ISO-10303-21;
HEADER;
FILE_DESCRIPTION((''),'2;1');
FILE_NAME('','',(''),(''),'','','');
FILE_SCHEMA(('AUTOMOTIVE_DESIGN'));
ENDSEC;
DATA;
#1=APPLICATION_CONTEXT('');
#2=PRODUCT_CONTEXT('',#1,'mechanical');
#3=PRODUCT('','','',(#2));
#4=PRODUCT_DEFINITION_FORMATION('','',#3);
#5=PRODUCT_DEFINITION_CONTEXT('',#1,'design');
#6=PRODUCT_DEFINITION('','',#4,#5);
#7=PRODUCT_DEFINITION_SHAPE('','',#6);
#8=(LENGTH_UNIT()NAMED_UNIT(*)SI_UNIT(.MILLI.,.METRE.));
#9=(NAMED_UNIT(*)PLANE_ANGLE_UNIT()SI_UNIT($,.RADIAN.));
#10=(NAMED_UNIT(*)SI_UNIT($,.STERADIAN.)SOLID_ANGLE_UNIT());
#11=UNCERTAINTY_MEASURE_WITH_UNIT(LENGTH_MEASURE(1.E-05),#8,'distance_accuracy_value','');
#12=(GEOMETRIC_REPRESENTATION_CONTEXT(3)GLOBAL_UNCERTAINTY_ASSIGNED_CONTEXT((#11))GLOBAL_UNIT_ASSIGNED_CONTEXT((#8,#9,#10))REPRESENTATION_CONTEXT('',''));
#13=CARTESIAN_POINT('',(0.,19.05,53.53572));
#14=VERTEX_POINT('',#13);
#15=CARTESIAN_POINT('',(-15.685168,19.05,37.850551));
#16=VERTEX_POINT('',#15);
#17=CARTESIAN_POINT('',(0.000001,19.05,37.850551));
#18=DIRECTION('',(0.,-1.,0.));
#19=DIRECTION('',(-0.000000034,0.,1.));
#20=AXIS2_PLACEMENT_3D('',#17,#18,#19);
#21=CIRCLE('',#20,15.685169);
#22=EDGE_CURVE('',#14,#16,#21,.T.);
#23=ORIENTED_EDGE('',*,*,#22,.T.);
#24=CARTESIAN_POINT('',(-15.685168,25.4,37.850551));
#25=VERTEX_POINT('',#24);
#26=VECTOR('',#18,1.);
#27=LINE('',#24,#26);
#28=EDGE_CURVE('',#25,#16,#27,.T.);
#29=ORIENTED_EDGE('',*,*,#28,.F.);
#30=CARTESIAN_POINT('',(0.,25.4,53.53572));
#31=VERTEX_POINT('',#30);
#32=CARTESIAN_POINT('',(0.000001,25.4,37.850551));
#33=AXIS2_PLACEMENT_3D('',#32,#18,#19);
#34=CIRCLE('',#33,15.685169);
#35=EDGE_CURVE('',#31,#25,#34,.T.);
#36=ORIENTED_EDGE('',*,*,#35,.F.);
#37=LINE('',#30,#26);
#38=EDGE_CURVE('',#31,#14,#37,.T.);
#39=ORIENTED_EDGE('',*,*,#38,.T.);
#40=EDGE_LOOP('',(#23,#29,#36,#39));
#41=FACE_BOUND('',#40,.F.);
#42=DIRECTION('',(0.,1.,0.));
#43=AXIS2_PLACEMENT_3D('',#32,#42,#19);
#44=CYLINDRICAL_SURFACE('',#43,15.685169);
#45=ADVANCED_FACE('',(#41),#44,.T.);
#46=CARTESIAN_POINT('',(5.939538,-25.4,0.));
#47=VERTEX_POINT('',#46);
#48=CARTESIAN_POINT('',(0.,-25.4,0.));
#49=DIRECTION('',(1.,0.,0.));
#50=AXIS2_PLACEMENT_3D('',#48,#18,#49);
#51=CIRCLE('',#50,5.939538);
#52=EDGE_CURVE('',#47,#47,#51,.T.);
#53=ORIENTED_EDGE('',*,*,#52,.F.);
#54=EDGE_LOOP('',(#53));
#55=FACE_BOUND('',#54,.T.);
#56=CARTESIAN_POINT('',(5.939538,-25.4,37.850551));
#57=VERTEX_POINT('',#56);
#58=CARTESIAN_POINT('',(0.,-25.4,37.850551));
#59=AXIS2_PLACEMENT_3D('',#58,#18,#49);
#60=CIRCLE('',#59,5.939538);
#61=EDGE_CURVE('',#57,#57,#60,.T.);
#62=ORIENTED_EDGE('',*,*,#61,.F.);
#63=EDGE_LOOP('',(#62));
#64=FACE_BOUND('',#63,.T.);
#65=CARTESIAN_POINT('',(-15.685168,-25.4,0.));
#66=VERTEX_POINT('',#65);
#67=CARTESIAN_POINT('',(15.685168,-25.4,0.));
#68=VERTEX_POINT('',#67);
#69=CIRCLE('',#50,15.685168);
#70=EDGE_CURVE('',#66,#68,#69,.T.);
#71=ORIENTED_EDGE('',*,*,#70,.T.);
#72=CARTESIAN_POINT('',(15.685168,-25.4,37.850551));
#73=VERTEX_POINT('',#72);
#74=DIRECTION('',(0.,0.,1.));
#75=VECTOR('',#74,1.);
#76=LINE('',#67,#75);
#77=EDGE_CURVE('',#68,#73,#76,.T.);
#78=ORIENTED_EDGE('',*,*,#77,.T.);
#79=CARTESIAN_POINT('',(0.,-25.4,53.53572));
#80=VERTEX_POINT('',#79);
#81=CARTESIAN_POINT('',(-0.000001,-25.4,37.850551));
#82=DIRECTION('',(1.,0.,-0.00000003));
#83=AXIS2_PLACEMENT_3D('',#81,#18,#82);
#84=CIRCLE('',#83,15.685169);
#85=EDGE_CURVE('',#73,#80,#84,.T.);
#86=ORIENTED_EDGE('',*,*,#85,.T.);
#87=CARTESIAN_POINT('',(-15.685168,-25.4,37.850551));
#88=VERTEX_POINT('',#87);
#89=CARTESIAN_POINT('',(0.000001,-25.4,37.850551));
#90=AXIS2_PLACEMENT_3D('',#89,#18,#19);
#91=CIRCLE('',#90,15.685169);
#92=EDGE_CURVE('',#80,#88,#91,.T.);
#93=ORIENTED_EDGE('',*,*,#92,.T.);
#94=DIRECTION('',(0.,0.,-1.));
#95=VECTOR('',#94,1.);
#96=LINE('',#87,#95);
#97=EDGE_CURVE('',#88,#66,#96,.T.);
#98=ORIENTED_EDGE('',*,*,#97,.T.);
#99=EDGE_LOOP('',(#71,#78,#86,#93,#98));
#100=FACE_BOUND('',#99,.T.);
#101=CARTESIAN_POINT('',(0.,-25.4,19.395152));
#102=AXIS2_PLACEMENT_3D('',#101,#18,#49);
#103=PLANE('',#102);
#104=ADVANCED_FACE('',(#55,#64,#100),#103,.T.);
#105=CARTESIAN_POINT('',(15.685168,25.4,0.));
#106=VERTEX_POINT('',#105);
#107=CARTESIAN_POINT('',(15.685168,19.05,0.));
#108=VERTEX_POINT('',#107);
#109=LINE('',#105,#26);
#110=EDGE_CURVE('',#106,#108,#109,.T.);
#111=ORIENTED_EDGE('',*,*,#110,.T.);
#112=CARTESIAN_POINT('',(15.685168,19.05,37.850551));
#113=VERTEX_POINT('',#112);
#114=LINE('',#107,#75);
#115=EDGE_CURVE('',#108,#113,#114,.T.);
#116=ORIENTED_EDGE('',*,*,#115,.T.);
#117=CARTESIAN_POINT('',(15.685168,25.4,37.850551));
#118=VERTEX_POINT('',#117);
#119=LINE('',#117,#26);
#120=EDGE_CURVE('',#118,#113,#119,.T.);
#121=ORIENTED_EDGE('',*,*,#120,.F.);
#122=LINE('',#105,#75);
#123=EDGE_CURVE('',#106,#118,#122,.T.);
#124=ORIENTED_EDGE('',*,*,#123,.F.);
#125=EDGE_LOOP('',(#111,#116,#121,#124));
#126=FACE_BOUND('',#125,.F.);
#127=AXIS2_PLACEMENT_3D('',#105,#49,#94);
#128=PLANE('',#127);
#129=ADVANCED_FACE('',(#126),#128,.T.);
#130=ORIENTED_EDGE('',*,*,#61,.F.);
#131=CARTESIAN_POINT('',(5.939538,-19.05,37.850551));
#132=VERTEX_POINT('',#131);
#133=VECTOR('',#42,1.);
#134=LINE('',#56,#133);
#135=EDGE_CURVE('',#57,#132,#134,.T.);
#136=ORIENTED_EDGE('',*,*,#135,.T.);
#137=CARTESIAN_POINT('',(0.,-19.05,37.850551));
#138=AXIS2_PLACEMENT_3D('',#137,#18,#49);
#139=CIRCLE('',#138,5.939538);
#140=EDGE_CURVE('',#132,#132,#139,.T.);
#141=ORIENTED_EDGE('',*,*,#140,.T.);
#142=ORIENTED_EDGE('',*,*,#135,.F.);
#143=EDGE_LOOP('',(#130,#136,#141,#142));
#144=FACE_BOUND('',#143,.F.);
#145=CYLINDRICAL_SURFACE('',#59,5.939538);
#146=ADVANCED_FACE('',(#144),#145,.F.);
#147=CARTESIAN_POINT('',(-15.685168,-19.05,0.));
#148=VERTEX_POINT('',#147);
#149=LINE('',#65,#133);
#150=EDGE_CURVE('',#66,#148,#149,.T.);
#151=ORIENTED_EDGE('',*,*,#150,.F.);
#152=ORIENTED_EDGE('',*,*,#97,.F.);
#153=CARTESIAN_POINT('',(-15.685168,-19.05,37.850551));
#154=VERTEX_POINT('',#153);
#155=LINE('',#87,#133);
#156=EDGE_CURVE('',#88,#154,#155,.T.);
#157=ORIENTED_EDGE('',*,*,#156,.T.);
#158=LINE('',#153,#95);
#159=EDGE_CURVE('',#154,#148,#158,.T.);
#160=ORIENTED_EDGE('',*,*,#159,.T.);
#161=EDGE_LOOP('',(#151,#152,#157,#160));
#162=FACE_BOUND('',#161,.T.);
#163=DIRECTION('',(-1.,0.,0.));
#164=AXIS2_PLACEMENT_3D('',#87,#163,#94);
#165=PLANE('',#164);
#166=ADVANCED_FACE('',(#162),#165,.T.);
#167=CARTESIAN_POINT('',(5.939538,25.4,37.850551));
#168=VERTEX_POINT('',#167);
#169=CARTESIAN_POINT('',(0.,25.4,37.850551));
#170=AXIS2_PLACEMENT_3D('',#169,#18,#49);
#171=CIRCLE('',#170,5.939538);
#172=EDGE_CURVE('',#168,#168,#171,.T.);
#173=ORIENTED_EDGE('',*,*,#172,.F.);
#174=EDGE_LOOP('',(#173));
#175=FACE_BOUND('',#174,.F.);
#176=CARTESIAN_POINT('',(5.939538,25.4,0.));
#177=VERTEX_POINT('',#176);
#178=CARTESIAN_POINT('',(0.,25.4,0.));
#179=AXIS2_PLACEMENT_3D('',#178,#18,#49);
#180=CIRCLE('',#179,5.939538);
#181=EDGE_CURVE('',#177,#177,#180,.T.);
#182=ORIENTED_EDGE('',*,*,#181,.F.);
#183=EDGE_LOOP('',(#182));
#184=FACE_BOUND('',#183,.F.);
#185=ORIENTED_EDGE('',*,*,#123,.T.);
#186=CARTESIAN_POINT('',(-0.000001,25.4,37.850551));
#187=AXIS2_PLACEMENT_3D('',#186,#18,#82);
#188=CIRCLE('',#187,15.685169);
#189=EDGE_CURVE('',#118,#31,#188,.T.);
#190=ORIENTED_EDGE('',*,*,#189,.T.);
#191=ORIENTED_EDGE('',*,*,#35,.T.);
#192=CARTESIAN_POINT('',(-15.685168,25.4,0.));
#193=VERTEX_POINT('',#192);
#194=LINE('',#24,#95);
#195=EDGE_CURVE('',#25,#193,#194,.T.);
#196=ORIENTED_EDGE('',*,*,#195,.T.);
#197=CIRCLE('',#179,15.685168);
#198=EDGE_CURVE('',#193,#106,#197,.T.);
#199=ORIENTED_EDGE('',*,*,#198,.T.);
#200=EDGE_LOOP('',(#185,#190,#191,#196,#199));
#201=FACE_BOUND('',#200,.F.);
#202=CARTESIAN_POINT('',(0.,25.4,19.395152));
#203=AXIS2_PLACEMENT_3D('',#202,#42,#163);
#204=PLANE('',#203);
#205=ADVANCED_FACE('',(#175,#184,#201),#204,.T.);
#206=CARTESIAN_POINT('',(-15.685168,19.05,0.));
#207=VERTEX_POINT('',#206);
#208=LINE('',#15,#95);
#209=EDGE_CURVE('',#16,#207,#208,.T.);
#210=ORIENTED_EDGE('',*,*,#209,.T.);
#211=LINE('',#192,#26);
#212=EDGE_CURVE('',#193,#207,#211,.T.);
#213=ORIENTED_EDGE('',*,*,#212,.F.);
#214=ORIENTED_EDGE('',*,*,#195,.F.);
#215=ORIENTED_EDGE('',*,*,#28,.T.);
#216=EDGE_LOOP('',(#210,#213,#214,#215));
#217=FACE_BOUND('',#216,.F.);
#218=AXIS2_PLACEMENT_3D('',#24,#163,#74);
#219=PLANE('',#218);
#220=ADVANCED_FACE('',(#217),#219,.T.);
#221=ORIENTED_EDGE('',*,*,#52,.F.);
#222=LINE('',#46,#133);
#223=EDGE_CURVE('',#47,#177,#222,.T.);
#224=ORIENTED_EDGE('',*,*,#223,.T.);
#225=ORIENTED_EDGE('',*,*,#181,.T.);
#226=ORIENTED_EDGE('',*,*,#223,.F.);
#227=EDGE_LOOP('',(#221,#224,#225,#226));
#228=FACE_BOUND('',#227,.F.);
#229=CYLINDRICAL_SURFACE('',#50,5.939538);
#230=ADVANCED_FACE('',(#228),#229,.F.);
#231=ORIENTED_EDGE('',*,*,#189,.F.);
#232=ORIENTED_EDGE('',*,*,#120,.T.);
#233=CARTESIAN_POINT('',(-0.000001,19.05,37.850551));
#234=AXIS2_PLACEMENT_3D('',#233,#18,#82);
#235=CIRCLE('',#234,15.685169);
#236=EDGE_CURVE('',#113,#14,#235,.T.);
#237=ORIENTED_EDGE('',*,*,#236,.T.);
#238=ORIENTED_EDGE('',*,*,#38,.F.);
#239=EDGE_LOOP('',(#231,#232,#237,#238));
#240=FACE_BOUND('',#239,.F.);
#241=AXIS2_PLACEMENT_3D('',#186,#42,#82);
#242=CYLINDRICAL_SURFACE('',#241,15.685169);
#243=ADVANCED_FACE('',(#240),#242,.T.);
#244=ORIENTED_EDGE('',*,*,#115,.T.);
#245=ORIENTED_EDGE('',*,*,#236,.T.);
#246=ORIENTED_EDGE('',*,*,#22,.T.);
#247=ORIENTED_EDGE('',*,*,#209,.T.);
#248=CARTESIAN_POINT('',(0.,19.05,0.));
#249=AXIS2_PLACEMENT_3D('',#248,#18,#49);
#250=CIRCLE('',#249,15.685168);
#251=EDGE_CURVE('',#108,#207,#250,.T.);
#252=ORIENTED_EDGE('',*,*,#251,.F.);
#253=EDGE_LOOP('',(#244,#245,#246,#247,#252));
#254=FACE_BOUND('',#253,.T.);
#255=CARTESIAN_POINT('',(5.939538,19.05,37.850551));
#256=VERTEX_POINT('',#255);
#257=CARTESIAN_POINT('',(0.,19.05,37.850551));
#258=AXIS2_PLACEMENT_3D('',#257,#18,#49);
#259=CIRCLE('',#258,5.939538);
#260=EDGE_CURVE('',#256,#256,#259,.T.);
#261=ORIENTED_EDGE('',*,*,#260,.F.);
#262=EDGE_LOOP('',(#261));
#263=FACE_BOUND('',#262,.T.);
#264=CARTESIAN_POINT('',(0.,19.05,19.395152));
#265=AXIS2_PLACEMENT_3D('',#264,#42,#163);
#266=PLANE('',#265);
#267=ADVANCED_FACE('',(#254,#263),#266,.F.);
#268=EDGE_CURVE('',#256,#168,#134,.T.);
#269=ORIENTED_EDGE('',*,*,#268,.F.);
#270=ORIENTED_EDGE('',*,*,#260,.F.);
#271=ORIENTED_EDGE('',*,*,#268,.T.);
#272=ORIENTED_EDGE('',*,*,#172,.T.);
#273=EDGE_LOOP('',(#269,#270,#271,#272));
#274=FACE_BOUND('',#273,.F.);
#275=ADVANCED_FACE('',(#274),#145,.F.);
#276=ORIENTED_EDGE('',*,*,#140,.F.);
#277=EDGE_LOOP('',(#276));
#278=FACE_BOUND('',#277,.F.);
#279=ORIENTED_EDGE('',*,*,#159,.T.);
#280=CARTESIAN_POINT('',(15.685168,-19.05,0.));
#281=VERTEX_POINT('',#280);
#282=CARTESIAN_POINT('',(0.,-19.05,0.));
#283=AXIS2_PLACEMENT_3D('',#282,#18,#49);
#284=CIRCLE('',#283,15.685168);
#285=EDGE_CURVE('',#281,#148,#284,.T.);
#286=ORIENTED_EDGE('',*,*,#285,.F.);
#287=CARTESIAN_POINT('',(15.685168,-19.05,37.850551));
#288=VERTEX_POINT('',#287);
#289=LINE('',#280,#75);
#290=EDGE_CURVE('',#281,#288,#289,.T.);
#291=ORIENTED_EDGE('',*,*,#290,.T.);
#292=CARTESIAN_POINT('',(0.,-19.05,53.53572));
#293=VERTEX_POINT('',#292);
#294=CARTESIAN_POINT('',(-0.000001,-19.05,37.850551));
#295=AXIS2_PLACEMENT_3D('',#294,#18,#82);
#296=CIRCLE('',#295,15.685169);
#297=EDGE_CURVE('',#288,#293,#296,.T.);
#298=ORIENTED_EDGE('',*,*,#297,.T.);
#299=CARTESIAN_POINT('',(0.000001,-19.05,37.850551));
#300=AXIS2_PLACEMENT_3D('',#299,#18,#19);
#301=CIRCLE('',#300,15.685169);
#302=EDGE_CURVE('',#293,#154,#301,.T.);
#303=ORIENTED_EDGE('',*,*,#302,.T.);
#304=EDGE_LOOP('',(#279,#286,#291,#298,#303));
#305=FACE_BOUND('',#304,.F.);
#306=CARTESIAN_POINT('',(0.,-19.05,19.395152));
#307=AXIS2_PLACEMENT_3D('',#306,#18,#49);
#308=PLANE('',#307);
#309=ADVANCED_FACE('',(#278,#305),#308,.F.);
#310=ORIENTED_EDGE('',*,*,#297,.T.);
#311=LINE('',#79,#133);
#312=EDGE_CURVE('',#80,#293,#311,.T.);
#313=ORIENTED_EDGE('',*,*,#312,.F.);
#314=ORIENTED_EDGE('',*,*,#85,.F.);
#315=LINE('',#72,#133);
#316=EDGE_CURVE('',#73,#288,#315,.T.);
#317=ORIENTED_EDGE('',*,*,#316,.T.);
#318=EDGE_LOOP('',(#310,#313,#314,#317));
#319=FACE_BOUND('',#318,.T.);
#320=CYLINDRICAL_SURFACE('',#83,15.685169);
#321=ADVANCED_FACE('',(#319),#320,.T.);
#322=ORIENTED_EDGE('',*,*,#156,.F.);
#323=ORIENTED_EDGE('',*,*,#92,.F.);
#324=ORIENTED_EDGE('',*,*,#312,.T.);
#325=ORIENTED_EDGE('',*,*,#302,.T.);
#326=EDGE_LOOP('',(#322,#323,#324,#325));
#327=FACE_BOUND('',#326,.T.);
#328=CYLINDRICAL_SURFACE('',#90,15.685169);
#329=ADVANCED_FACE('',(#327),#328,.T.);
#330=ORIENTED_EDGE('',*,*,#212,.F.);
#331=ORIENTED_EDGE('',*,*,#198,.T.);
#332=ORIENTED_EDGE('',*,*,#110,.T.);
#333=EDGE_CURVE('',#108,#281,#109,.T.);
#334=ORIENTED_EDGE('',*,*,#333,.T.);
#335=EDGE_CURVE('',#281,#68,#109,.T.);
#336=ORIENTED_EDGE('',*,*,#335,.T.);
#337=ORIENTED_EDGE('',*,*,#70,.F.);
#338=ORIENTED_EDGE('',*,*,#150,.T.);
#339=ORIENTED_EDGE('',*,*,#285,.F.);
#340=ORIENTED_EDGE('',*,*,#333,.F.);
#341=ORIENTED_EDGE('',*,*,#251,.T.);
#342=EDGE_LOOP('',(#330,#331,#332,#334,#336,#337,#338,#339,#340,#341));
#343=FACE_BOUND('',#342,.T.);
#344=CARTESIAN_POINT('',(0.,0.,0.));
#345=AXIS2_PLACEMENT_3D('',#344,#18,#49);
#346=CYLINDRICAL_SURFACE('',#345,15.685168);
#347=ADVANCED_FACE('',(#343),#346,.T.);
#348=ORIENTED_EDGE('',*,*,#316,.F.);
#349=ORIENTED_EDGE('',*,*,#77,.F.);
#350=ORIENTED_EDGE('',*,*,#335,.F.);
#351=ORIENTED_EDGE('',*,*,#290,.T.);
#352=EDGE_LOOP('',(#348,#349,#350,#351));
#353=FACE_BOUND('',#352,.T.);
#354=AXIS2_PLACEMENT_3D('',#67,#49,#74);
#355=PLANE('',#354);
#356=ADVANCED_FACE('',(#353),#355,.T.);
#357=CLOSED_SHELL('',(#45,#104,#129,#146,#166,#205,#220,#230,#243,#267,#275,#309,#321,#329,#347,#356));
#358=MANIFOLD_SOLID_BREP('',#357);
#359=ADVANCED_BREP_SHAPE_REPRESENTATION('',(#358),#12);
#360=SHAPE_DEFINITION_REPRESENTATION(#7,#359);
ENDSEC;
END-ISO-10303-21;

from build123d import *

# Parameters (mm, degrees)
F0_R          = 15.685168
F1_DEPTH      = 25.4
F1_DEPTH_BACK = 25.4
F3_DEPTH      = 6.35
F5_R          = 5.939538
F6_DEPTH      = 50.801


with BuildPart() as f1:
    # F0 (on Front) → F1 (new body, two sides)
    with BuildSketch(Plane.XZ) as f1_sk:
        Circle(F0_R)
    extrude(amount=F1_DEPTH)
    extrude(f1_sk.sketch, amount=-F1_DEPTH_BACK)

    # F2 (on face) → F3 (join)
    with BuildSketch(Plane.XZ.offset(25.4)):
        with BuildLine():
            Line((-15.685168, 37.850551), (-15.685168, 0))
            ThreePointArc((-15.685168, 0), (0, -15.685168), (15.685168, 0))
            Line((15.685168, 0), (15.685168, 37.850551))
            ThreePointArc((15.685168, 37.850551), (11.091089, 48.94164), (0, 53.53572))
            ThreePointArc((0, 53.53572), (-11.091089, 48.94164), (-15.685168, 37.850551))
        make_face()
    extrude(amount=-F3_DEPTH)

    # F4: F1 across plane


with BuildPart() as f1_1:
    add(f1.part)
    add(f1.part.mirror(Plane.XZ))

    # F5 (on face) → F6 (cut, through all)
    with BuildSketch(Plane.XZ.offset(25.4)):
        with Locations((0, 37.850551)):
            Circle(F5_R)
        Circle(F5_R)
    extrude(amount=-F6_DEPTH, mode=Mode.SUBTRACT)


solid = f1_1.part
